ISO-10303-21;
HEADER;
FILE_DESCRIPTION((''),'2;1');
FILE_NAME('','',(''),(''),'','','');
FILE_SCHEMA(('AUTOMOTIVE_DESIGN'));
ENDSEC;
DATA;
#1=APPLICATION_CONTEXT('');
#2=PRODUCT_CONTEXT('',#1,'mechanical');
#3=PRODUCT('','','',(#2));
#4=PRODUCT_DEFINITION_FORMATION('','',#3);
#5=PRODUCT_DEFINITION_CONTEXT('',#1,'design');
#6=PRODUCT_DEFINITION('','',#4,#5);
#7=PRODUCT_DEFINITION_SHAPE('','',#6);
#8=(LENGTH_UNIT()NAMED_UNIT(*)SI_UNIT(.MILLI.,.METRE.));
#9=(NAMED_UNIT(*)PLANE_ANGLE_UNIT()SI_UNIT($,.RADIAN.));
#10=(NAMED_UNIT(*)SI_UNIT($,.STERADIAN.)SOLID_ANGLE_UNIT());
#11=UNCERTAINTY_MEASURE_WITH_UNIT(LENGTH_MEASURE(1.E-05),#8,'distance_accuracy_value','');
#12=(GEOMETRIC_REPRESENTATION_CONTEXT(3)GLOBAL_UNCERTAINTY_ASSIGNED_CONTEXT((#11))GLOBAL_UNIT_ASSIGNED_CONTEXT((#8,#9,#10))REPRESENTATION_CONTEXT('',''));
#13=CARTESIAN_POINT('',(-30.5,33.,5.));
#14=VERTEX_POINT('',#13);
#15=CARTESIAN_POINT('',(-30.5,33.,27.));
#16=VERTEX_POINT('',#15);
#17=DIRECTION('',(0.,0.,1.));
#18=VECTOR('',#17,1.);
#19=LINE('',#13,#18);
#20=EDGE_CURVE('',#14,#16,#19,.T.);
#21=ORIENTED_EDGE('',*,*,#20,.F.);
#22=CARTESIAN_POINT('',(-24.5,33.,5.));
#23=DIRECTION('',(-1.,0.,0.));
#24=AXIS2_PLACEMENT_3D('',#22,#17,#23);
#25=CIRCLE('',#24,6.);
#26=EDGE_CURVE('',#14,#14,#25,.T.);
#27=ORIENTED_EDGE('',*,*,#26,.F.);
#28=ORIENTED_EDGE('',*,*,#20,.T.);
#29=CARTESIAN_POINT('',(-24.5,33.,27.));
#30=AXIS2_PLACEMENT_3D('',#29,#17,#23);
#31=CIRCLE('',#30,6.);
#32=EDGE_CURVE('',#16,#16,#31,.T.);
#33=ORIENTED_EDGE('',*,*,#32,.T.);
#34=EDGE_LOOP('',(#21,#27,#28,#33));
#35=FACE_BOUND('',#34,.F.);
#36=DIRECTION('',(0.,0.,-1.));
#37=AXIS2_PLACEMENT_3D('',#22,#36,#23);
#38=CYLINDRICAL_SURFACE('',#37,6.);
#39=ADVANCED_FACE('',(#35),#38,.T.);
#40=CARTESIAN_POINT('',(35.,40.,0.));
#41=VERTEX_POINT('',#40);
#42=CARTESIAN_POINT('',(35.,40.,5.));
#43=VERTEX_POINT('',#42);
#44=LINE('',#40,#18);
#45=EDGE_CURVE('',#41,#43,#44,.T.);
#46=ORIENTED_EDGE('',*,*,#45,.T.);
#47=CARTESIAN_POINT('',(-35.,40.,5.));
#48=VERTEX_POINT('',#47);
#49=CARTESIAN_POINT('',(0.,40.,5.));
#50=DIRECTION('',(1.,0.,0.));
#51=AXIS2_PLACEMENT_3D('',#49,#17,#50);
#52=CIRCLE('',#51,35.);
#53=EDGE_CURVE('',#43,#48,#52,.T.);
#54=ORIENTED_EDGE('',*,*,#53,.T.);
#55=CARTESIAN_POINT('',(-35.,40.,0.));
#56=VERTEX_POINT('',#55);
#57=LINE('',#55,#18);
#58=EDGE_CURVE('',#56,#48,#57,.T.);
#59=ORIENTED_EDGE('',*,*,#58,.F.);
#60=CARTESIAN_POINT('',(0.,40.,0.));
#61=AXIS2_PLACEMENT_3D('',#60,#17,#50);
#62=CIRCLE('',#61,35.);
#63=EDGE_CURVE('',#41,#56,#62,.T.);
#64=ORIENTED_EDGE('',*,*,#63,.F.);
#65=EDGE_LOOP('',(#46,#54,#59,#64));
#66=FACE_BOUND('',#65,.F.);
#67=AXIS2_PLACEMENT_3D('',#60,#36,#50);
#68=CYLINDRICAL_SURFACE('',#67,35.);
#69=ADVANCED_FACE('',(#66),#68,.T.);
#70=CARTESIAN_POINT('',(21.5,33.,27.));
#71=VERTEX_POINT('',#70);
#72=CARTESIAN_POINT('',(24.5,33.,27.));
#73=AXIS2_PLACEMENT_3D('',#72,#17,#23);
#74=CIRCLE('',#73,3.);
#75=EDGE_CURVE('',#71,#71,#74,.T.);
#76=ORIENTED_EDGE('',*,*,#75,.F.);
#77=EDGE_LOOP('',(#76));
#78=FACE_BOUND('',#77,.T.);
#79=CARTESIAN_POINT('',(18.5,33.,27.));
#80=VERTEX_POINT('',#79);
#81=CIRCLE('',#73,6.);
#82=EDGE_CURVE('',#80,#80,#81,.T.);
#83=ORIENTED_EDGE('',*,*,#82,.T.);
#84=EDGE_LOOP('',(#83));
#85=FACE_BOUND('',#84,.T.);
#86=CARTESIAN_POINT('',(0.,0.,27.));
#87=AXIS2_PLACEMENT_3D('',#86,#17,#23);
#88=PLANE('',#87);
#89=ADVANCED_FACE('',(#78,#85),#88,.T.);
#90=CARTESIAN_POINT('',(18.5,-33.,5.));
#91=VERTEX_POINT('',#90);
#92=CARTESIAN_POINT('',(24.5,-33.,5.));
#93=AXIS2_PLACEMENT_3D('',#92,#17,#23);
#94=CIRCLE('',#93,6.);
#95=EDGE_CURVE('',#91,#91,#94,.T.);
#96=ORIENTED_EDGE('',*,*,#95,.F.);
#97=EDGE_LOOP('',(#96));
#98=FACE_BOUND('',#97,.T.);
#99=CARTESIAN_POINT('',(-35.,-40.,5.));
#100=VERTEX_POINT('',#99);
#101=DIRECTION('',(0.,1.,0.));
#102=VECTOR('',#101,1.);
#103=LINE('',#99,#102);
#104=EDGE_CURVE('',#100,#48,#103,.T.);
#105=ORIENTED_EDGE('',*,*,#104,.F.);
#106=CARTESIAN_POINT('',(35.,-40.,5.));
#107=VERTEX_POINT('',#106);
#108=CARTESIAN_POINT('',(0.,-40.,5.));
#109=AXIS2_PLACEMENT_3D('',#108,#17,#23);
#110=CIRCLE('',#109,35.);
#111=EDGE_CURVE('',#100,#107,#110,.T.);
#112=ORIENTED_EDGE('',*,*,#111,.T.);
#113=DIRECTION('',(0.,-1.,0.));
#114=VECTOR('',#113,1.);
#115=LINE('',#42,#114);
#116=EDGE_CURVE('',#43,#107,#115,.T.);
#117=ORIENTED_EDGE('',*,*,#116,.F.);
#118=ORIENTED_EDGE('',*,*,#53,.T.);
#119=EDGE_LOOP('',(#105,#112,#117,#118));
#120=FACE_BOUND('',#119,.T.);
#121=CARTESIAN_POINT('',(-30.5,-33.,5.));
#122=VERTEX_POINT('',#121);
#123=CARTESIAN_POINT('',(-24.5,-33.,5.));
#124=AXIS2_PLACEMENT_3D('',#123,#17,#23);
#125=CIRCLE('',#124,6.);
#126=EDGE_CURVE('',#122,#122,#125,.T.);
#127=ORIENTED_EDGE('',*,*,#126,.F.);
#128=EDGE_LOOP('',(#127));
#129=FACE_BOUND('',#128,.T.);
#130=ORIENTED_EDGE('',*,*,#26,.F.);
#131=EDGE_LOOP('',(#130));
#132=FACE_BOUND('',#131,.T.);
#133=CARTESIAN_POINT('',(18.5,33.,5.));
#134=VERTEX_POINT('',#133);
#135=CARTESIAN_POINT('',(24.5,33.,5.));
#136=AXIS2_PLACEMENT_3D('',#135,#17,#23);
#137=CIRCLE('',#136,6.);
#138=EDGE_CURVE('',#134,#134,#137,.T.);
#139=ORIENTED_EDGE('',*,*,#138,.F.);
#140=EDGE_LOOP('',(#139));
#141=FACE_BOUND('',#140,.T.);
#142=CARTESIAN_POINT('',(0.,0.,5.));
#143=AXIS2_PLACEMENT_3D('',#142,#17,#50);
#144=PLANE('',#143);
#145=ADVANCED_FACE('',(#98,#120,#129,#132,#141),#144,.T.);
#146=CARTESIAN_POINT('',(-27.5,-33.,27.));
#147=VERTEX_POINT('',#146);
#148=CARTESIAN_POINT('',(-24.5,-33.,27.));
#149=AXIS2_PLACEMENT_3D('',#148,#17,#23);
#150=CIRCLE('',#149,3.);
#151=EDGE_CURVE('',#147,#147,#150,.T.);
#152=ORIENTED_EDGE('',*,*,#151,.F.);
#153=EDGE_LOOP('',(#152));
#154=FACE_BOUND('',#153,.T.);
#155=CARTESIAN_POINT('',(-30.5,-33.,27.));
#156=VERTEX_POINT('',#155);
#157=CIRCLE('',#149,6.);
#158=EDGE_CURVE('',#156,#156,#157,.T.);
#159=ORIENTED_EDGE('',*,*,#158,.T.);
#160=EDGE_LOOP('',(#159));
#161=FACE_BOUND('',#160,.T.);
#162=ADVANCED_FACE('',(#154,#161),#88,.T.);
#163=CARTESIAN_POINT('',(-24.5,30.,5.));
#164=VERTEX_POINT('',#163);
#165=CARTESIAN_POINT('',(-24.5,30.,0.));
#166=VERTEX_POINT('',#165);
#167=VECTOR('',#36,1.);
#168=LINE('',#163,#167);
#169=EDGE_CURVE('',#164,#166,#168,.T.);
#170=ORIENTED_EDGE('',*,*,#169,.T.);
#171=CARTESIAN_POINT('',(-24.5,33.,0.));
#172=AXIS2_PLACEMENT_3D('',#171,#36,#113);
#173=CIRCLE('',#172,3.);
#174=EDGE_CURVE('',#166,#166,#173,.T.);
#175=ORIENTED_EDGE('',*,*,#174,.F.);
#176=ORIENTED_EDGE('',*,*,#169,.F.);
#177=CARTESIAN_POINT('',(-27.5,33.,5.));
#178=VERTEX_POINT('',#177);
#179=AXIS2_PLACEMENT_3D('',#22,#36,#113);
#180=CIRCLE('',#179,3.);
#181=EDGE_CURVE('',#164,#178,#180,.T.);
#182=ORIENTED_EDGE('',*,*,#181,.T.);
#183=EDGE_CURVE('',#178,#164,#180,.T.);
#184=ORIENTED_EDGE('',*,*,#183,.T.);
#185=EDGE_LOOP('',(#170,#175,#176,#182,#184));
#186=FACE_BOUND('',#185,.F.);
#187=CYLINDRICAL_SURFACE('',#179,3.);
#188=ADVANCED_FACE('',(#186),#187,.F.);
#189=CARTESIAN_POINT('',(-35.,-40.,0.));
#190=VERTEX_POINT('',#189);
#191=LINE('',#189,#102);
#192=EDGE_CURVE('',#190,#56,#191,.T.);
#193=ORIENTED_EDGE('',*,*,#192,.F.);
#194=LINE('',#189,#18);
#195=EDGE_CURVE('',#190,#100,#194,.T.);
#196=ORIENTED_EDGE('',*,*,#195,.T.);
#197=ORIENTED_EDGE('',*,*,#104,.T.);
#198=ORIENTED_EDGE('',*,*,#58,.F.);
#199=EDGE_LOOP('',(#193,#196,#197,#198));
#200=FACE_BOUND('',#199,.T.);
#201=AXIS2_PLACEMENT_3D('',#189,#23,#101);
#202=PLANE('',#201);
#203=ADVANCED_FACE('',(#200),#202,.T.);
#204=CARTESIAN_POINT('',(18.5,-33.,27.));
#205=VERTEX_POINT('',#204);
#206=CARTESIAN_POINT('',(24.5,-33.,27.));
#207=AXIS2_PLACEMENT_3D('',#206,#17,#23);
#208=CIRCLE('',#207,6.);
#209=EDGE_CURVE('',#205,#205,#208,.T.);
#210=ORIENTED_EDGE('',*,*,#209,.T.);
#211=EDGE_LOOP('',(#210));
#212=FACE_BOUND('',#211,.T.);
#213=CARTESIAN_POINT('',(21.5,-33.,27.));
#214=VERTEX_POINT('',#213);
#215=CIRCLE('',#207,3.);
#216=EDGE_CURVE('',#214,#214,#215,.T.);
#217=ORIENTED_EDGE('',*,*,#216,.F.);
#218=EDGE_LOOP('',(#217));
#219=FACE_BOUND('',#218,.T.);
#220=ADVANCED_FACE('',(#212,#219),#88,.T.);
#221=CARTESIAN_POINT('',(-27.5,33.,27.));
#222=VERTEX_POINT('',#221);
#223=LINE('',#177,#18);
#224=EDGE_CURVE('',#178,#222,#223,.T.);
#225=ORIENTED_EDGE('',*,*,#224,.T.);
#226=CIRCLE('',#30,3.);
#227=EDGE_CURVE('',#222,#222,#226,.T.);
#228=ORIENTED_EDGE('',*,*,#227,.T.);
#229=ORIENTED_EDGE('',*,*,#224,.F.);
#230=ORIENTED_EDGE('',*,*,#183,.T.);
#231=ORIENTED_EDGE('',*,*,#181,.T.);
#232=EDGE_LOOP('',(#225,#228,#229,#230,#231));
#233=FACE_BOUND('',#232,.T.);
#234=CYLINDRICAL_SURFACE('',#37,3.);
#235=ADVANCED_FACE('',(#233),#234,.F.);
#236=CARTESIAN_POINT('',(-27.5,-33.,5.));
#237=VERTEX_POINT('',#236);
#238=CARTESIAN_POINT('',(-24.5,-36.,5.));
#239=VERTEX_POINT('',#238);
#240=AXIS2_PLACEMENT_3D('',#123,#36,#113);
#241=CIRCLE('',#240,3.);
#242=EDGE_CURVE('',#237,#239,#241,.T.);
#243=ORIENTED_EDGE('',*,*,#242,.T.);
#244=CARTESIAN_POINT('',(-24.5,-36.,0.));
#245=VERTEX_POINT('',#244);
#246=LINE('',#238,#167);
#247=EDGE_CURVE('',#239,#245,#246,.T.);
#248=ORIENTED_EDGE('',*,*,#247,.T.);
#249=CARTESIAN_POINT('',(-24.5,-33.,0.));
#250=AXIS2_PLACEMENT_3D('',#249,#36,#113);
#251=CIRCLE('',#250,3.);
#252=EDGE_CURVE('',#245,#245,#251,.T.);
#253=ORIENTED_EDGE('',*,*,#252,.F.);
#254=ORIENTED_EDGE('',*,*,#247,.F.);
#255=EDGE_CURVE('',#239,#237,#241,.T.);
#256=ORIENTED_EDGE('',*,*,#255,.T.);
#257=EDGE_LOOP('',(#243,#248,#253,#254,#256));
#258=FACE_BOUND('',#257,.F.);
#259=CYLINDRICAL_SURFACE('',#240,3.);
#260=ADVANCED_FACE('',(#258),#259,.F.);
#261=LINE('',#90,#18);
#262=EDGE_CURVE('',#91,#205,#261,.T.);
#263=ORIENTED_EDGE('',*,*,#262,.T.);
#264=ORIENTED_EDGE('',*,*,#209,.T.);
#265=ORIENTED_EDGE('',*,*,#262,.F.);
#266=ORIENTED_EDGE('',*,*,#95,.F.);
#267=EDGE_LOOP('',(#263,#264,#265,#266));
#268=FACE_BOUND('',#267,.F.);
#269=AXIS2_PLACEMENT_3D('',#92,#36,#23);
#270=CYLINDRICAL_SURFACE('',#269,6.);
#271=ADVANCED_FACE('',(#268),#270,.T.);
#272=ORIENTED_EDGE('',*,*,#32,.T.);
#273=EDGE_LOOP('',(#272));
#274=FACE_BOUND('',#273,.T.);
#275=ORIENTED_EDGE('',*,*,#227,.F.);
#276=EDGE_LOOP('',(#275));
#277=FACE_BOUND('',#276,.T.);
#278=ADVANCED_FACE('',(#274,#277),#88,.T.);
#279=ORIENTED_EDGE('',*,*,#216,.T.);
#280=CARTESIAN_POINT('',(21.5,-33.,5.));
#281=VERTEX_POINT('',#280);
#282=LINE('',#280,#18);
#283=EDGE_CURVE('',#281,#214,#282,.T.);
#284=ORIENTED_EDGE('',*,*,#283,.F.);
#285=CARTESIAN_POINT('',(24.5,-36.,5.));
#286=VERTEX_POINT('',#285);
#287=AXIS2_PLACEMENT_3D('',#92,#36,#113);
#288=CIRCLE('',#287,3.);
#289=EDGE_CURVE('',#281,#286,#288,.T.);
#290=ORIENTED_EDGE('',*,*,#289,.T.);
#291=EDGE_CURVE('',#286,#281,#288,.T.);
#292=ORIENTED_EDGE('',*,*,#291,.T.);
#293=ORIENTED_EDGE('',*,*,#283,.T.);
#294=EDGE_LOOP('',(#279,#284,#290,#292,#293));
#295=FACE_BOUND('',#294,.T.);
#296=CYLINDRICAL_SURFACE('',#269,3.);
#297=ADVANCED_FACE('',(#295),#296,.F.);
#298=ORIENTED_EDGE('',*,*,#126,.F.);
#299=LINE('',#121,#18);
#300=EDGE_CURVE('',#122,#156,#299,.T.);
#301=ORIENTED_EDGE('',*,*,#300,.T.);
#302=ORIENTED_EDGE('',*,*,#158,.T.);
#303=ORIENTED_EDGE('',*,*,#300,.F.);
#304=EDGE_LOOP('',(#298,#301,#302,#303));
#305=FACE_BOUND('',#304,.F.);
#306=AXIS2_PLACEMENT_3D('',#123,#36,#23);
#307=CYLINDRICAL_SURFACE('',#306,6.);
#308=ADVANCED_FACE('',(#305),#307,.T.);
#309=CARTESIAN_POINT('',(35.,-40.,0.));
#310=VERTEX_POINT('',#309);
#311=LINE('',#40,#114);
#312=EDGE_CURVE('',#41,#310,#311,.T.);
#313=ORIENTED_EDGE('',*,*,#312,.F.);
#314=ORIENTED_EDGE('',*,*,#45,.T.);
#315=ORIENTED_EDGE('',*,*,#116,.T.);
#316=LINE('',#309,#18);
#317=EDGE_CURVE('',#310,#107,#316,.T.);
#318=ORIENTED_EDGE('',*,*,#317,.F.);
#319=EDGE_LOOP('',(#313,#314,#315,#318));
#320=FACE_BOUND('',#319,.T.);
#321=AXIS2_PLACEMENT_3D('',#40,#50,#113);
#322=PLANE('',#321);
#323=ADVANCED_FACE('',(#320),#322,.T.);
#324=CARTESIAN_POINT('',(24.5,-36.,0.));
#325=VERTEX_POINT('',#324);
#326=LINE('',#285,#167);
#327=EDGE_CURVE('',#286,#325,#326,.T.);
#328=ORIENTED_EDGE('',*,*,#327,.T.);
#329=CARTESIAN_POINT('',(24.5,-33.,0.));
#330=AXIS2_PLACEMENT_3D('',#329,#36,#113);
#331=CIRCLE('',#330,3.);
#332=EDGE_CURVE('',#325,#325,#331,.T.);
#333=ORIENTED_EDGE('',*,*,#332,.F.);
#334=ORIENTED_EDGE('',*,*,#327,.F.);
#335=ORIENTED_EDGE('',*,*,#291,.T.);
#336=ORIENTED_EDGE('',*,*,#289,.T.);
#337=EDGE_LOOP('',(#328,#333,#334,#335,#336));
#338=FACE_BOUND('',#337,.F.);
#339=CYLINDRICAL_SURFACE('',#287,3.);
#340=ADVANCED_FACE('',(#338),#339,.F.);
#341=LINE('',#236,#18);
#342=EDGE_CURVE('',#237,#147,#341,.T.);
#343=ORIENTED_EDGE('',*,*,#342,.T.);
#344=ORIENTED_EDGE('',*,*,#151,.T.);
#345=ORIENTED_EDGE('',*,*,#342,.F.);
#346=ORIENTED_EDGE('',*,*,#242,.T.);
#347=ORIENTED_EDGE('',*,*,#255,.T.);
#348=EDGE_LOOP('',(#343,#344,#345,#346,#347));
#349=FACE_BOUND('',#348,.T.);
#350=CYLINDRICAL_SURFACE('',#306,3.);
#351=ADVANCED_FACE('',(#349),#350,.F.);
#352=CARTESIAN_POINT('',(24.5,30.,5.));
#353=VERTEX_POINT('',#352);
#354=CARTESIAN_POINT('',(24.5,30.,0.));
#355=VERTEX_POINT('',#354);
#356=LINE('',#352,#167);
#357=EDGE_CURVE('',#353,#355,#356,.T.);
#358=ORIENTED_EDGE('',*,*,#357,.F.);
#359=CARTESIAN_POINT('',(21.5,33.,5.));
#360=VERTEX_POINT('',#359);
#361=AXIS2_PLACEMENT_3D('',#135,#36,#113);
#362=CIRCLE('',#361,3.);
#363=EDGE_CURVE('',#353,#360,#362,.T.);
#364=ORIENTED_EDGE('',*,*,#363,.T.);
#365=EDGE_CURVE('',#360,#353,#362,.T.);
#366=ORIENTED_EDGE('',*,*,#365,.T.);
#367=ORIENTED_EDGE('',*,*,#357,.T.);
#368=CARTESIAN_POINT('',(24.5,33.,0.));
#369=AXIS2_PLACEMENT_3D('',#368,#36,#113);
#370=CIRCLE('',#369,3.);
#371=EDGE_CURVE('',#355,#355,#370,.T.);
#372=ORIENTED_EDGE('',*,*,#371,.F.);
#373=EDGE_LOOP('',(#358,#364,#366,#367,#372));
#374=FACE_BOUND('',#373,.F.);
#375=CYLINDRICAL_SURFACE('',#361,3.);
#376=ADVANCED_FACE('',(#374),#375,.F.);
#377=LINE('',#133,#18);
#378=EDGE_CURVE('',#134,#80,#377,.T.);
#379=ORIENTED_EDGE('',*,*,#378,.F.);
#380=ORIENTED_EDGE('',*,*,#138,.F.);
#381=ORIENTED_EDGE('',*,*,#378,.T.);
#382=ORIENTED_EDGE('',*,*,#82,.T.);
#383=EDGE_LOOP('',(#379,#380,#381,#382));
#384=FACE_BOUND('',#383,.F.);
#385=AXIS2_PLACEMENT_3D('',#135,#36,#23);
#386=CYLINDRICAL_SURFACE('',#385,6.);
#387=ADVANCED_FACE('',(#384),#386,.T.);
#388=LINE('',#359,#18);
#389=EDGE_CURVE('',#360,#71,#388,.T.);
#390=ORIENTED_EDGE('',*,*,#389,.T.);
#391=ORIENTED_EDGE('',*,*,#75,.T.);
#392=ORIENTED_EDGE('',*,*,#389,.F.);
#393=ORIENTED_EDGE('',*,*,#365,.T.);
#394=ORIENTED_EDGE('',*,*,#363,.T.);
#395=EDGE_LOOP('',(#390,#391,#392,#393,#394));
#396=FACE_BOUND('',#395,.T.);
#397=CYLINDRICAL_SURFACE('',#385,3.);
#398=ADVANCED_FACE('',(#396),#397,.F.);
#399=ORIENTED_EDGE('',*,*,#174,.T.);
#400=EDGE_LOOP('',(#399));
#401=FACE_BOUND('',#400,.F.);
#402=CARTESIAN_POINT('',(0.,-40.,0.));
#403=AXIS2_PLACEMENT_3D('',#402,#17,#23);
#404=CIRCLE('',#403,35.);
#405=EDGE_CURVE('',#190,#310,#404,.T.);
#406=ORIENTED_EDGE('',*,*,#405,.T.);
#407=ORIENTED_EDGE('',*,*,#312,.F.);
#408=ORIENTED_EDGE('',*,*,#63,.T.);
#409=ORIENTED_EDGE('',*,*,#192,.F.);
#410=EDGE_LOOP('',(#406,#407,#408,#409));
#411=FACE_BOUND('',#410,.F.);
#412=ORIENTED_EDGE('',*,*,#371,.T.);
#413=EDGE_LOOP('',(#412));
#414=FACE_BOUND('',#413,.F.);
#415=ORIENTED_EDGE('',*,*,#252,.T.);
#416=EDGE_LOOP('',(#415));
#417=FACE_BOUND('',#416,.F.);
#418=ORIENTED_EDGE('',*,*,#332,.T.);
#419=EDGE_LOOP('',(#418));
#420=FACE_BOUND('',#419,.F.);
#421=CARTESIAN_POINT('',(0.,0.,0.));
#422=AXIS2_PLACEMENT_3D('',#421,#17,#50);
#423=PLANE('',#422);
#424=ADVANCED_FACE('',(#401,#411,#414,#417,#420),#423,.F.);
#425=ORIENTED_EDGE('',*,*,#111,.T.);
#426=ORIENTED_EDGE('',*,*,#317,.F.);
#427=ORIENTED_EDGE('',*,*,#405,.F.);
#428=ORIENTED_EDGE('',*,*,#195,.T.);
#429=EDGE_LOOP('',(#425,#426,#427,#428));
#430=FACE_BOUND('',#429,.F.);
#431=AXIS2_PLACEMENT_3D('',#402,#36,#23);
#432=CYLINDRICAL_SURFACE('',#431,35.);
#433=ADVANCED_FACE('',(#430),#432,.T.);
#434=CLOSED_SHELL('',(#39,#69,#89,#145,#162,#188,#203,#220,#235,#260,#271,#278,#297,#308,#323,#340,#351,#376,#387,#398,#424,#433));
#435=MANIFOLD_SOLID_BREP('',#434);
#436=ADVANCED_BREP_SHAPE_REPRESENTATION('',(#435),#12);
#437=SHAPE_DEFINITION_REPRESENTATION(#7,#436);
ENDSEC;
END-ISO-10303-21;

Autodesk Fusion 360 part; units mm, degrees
sketch "Sketch1" plane through (0, 0, 0) normal (0, 0, 1) x (1, 0, 0)
  line L0 (35, 40) -> (35, -40)
  line L1 (-35, -40) -> (-35, 40)
  line L2 (0, 1.75) -> (0, 22.5)
  line L3 (1.75, 0) -> (22.5, 0)
  arc A0 (-35, -40) -> (35, -40) centre (0, -40) ccw
  arc A1 (35, 40) -> (-35, 40) centre (0, 40) ccw
  dimension "d2" = 80
  dimension "d3" = 70
extrude "Extrude1" add sketch "Sketch1" along normal blind 5
sketch "Sketch2" plane through (0, 0, 5) normal (0, 0, 1) x (-1, 0, 0)
  arc A0 (35, 40) -> (-35, 40) centre (0, 40) ccw
  line L0 (-35, 40) -> (-35, -40)
  arc A1 (-35, -40) -> (35, -40) centre (0, -40) ccw
  line L1 (35, -40) -> (35, 40)
  line L2 (24.5, -33) -> (-24.5, -33) construction
  line L3 (-24.5, -33) -> (-24.5, 33) construction
  line L4 (-24.5, 33) -> (24.5, 33) construction
  line L5 (24.5, 33) -> (24.5, -33) construction
  line L6 (-1.75, 0) -> (-22.5, 0)
  line L7 (0, -1.75) -> (0, -22.5)
  point P0 (24.5, -33)
  point P1 (-24.5, -33)
  point P2 (-24.5, 33)
  point P3 (24.5, 33)
  dimension "d6" = 49
  dimension "d7" = 66
hole "Hole1" at (-24.5, 33, 5) at (24.5, 33, 5) at (24.5, -33, 5) at (-24.5, -33, 5) direction (0, 0, -1) diameter 6 end through all
sketch "Sketch3" plane through (0, 0, 5) normal (0, 0, 1) x (-1, 0, 0)
  circle A0 centre (-24.5, 33) radius 3
  circle A1 centre (24.5, -33) radius 3
  circle A2 centre (-24.5, -33) radius 3
  circle A3 centre (24.5, 33) radius 3
  arc A4 (35, 40) -> (-35, 40) centre (0, 40) ccw
  line L0 (-35, 40) -> (-35, -40)
  arc A5 (-35, -40) -> (35, -40) centre (0, -40) ccw
  line L1 (35, -40) -> (35, 40)
  circle A6 centre (24.5, -33) radius 3
  circle A7 centre (-24.5, -33) radius 3
  circle A8 centre (-24.5, 33) radius 3
  circle A9 centre (24.5, 33) radius 3
  circle A10 centre (24.5, -33) radius 6
  circle A11 centre (-24.5, -33) radius 6
  circle A12 centre (24.5, 33) radius 6
  circle A13 centre (-24.5, 33) radius 6
  dimension "d10" = 3
  dimension "d11" = 3
  dimension "d12" = 3
  dimension "d13" = 3
extrude "Extrude2" add sketch "Sketch3" along normal blind 22 contours A10 | A11 | A12 | A13
